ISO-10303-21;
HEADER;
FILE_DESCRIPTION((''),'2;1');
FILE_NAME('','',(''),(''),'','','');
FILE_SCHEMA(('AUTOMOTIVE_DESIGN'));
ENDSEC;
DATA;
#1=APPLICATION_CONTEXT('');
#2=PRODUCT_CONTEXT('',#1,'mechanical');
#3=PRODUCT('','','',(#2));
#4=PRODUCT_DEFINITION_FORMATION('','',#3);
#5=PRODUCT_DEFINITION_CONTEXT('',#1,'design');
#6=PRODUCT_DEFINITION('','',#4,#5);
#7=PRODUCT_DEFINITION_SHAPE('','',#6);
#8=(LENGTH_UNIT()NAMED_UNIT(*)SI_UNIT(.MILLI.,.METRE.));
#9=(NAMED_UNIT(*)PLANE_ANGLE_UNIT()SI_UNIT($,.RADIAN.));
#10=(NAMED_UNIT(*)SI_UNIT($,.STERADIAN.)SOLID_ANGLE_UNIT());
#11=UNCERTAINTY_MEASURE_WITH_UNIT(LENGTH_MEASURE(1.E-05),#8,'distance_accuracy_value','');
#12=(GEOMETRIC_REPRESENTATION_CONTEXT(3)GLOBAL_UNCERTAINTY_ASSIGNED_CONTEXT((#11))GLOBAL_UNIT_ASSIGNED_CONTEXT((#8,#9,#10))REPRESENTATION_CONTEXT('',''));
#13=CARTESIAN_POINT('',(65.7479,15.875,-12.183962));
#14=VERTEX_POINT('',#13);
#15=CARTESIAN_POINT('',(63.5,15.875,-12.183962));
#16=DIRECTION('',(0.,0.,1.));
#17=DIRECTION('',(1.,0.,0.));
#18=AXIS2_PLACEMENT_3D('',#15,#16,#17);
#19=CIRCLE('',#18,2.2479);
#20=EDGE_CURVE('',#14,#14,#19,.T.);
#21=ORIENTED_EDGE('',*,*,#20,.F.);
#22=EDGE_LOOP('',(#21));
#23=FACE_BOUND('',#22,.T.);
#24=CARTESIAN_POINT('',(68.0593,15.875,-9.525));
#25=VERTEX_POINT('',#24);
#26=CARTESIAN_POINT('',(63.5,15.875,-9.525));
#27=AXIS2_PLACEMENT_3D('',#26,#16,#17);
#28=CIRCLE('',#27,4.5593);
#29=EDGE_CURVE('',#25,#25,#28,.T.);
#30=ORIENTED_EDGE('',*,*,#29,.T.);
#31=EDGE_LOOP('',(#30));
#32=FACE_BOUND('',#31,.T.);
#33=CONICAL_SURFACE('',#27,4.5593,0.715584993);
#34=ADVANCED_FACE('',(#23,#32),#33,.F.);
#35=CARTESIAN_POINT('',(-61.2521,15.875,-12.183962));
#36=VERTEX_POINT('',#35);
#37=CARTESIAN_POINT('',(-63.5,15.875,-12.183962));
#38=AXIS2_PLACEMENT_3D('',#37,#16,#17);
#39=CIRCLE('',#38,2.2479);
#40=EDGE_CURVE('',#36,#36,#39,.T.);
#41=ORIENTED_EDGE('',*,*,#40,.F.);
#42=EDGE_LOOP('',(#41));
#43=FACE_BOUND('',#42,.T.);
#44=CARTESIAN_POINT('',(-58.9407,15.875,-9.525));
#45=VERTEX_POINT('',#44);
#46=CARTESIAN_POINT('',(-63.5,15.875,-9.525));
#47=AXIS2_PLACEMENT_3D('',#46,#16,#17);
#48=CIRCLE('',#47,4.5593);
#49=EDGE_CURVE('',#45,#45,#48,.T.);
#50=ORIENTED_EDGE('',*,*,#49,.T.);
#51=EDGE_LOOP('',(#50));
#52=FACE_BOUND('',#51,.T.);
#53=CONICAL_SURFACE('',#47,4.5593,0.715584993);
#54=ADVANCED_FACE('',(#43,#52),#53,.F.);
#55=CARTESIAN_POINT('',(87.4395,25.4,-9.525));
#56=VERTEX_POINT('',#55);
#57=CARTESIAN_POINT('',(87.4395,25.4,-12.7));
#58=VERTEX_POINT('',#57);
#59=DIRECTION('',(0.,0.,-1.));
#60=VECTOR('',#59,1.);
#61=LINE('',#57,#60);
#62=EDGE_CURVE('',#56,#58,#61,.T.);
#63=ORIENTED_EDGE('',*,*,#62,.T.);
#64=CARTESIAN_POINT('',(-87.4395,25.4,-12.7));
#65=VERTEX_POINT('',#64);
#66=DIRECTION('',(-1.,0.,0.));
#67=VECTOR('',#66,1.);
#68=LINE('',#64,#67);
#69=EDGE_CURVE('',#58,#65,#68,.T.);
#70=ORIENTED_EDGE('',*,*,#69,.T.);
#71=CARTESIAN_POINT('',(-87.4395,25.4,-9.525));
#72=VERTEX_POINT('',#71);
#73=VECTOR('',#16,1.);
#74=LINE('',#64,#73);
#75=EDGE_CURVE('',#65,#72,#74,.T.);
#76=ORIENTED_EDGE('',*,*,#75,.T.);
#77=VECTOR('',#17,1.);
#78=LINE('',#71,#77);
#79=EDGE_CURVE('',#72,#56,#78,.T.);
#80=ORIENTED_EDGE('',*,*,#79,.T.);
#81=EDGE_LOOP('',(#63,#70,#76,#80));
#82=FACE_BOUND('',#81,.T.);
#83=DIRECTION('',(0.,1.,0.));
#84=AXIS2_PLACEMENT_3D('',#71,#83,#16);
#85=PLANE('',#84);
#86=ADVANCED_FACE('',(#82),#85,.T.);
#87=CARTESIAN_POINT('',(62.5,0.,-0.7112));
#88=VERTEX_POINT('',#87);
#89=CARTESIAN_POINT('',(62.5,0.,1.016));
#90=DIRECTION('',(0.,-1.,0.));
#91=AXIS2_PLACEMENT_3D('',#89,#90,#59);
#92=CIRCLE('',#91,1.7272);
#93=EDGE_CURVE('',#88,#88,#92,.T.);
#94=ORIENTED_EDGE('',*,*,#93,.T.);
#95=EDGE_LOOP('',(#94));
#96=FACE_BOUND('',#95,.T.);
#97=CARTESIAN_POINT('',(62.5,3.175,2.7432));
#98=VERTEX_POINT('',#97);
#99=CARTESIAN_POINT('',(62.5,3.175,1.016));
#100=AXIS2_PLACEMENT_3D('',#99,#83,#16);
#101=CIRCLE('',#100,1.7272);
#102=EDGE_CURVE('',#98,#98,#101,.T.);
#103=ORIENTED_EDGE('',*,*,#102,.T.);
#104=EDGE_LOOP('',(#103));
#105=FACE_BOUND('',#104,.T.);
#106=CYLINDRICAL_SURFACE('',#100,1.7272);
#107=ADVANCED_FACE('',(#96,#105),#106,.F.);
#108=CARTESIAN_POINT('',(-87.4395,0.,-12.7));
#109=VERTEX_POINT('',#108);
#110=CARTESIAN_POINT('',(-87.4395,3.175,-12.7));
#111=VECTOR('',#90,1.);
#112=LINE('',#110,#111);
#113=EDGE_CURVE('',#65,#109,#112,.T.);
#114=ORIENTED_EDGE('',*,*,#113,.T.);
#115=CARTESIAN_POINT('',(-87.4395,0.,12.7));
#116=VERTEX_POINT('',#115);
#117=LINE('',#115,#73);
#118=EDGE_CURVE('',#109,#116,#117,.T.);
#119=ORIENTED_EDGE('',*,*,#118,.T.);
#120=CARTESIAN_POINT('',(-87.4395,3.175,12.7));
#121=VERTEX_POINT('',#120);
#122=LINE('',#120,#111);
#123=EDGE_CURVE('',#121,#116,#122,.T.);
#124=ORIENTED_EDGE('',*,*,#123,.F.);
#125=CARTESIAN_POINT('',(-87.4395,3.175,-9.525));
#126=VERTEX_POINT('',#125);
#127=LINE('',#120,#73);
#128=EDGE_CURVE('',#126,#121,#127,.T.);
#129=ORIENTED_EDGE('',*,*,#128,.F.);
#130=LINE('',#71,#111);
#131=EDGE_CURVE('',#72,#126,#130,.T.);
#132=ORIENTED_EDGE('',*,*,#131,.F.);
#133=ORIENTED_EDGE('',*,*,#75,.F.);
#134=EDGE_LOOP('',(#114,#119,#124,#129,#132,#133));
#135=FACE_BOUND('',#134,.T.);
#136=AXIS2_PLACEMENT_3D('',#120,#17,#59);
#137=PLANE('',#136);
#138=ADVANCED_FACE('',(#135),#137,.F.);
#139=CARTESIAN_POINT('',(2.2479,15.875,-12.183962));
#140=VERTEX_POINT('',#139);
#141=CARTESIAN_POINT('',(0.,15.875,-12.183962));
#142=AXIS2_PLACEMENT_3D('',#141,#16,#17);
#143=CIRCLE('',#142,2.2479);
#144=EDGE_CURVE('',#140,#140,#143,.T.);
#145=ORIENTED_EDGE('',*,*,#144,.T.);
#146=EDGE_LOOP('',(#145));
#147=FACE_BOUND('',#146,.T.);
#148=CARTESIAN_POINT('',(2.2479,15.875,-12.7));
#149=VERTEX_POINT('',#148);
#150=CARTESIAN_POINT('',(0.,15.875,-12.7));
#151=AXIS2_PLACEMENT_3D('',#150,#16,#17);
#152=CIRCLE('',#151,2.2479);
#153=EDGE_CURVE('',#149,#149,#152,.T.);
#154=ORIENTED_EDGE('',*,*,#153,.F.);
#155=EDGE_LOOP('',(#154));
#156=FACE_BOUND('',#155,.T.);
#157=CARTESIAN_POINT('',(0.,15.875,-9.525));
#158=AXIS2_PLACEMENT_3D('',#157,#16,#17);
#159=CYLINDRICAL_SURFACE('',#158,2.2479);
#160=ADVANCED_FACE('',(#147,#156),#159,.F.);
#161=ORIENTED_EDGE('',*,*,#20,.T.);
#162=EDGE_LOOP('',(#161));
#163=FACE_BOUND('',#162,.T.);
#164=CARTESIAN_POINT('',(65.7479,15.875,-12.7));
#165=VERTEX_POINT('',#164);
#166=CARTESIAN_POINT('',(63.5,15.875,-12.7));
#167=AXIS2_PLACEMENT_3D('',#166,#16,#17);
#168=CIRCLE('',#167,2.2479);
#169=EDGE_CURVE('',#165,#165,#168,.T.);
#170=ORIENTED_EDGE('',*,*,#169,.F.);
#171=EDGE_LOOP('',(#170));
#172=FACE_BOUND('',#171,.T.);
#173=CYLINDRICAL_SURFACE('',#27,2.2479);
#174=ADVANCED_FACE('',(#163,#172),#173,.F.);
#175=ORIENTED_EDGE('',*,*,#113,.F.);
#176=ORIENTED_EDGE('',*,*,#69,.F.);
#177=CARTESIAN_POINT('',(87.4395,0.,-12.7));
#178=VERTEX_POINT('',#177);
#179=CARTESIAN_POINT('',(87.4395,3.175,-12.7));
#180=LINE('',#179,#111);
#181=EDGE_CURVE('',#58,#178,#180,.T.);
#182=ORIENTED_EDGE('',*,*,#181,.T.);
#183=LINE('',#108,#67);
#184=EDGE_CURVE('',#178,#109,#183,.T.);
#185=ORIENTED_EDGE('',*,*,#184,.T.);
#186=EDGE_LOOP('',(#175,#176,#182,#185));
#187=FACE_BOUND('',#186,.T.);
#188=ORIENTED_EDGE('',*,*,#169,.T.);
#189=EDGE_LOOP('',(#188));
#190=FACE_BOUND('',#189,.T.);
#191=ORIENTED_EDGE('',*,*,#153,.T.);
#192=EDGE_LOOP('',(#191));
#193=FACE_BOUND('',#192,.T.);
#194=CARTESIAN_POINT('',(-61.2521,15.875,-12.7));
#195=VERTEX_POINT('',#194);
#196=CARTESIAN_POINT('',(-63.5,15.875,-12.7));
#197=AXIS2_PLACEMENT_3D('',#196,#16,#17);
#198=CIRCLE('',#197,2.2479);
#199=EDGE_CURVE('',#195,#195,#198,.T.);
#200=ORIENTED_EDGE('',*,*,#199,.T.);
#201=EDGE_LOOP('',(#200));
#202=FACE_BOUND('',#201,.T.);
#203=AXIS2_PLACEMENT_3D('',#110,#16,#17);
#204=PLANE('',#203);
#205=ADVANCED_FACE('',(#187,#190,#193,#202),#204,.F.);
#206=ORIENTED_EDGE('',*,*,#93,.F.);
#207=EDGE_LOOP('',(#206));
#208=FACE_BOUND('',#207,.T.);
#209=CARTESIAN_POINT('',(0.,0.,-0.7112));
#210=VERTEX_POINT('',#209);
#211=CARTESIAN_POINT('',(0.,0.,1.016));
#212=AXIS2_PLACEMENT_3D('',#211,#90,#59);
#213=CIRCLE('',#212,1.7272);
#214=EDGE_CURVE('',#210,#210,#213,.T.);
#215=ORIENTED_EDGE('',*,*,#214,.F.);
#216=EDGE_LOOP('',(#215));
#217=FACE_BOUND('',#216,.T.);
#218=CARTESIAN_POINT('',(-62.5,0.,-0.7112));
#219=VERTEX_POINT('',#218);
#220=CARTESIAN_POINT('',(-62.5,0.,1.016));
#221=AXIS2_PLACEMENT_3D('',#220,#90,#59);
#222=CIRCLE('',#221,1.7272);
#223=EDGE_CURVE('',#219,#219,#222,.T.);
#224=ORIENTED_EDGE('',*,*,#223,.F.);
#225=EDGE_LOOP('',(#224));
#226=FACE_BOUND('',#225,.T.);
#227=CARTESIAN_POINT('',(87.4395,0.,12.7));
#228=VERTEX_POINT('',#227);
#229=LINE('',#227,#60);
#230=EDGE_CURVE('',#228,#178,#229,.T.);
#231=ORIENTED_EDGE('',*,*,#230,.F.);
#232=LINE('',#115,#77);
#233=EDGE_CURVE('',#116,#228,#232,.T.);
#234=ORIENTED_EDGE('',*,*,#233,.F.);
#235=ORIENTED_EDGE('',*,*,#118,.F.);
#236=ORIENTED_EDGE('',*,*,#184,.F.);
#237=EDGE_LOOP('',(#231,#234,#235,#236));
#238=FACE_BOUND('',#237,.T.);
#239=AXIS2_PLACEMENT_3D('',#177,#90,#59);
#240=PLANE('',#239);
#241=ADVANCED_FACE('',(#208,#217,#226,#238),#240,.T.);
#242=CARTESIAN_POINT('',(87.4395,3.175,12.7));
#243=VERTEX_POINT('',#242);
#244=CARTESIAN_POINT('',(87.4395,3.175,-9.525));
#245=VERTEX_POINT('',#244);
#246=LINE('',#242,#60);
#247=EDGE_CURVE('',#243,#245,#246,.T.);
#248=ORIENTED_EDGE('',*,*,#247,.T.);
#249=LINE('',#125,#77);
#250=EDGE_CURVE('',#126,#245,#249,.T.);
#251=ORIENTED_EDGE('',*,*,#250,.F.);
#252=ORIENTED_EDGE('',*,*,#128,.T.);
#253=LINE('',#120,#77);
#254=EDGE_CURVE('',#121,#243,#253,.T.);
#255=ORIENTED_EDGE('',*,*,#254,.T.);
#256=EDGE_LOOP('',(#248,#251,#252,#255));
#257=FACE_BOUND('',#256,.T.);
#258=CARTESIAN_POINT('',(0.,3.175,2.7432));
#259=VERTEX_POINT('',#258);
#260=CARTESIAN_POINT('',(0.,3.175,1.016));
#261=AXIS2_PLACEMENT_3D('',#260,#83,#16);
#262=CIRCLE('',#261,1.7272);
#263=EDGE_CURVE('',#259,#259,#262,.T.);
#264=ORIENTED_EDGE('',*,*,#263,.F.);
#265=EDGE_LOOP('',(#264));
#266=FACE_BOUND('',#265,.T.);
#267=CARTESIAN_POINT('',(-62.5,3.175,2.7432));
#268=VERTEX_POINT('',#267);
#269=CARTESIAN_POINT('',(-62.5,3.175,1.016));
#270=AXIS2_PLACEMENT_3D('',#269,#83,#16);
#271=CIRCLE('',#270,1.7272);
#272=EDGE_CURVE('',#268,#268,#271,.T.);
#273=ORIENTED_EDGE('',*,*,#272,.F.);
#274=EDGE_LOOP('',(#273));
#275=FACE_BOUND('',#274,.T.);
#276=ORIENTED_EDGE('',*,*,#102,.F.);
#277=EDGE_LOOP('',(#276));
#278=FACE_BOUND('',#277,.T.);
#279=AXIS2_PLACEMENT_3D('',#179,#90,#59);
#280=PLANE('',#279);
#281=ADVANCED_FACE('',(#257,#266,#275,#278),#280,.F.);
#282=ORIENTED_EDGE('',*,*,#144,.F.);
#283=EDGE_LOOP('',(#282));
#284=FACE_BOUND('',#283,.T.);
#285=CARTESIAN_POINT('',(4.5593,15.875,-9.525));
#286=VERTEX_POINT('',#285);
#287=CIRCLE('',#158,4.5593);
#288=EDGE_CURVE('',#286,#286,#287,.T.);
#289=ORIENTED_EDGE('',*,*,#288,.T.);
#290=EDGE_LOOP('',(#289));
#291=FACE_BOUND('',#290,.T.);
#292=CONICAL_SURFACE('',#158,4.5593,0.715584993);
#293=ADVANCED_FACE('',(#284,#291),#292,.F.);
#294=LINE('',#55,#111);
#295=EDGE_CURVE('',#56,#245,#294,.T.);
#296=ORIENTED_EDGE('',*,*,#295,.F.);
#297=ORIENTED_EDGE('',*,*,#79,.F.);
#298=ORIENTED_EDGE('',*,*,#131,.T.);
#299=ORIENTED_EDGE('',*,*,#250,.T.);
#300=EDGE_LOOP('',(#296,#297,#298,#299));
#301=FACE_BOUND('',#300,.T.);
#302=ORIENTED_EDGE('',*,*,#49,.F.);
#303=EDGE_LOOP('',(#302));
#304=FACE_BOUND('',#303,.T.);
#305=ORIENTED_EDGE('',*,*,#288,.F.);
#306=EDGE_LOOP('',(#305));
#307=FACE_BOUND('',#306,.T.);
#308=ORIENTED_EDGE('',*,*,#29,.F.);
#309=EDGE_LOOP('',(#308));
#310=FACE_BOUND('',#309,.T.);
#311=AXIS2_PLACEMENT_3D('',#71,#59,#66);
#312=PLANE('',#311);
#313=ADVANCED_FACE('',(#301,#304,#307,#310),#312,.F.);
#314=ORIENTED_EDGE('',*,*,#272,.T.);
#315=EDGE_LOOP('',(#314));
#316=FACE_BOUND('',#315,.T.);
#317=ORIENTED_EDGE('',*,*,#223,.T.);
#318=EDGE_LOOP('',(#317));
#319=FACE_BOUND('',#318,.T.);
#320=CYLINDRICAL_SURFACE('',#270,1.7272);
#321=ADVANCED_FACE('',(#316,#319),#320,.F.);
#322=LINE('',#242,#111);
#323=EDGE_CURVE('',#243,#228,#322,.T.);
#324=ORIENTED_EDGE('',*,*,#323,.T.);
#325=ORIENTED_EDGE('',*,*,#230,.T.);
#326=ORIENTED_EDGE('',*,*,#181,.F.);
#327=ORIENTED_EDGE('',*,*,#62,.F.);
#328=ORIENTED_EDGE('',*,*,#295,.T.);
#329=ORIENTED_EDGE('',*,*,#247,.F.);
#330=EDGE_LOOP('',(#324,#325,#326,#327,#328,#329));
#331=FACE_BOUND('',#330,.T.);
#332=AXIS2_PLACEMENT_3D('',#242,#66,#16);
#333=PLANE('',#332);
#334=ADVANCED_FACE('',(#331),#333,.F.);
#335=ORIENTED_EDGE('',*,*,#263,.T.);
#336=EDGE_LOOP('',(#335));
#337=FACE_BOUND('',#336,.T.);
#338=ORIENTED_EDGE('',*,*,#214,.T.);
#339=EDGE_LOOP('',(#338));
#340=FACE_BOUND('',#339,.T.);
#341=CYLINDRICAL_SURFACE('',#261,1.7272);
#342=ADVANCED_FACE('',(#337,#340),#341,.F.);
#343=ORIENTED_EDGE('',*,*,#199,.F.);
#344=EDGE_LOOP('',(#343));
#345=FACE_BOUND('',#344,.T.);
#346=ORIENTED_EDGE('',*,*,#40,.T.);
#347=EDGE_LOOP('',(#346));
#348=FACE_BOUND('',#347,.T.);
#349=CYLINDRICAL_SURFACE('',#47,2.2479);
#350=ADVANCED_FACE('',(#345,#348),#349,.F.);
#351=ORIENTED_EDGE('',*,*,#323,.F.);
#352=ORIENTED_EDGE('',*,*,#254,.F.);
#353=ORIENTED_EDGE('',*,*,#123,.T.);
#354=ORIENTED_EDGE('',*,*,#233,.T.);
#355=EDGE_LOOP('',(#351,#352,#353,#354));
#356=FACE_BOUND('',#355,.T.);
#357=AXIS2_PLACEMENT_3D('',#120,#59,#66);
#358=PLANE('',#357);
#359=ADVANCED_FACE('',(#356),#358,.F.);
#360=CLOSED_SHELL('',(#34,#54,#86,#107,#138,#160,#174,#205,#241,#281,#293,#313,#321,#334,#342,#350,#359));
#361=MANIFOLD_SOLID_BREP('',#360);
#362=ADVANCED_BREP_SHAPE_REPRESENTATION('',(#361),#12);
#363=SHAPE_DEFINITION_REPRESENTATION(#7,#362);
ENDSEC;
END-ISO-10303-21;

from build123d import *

# Parameters (mm, degrees)
SKETCH1_W                                     = 174.879
SKETCH1_H                                     = 25.4
BOSS_EXTRUDE1_DEPTH                           = 3.175
SKETCH2_W                                     = 174.879
SKETCH2_H                                     = 3.175
BOSS_EXTRUDE2_DEPTH                           = 22.225
F_8_32_TAPPED_HOLE1_D                         = 3.4544
F_8_32_TAPPED_HOLE1_DEPTH                     = 10.668
F_8_32_TAPPED_HOLE1_TIP                       = 1.037806461
CSK_FOR_8_FLAT_HEAD_SOCKET_CAP_SCREW1_A_COUNT = 2
CSK_FOR_8_FLAT_HEAD_SOCKET_CAP_SCREW1_A_PITCH = 63.5
CSK_FOR_8_FLAT_HEAD_SOCKET_CAP_SCRE_2_COUNT   = 2
CSK_FOR_8_FLAT_HEAD_SOCKET_CAP_SCRE_2_PITCH   = 127


with BuildPart() as part:
    # Sketch1 → Boss-Extrude1 (new body)
    with BuildSketch(Plane(origin=(0, 0, 0), x_dir=(1, 0, 0), z_dir=(0, 1, 0))):
        Rectangle(SKETCH1_W, SKETCH1_H)
    extrude(amount=BOSS_EXTRUDE1_DEPTH)

    # Sketch2 → Boss-Extrude2 (add)
    with BuildSketch(Plane(origin=(0, 3.175, 0), x_dir=(1, 0, 0), z_dir=(0, 1, 0))):
        with Locations((0, 11.1125)):
            Rectangle(SKETCH2_W, SKETCH2_H)
    extrude(amount=BOSS_EXTRUDE2_DEPTH)

    # #8-32 Tapped Hole1
    with Locations(Plane(origin=(0, 3.175, 0), x_dir=(-1, 0, 0), z_dir=(0, 1, 0))):
        with Locations((62.5, 1.016), (0, 1.016), (-62.5, 1.016)):
            Hole(F_8_32_TAPPED_HOLE1_D / 2, depth=F_8_32_TAPPED_HOLE1_DEPTH)
            with Locations((0, 0, -(F_8_32_TAPPED_HOLE1_DEPTH + F_8_32_TAPPED_HOLE1_TIP / 2))):  # 118° drill point
                Cone(0, F_8_32_TAPPED_HOLE1_D / 2, F_8_32_TAPPED_HOLE1_TIP, mode=Mode.SUBTRACT)

    # Sketch6 → CSK for #8 Flat Head Socket Cap Screw1 (revolve, cut)
    with BuildSketch(Plane(origin=(-63.5, 15.875, -9.525), x_dir=(0, -1, 0), z_dir=(1, 0, 0))):
        Polygon((0, 0), (0, 3.175), (2.2479, 3.175), (2.2479, 2.658961536), (4.5593, 0), align=None)
    csk_for_8_flat_head_socket_cap_screw1 = revolve(axis=Axis((-63.5, 15.875, -3.175), (0, 0, -1)), mode=Mode.SUBTRACT)

    # CSK for #8 Flat Head Socket Cap Screw1 a: CSK for #8 Flat Head Socket Cap Screw1 ×2
    with Locations(*[(i * CSK_FOR_8_FLAT_HEAD_SOCKET_CAP_SCREW1_A_PITCH, 0, 0) for i in range(1, CSK_FOR_8_FLAT_HEAD_SOCKET_CAP_SCREW1_A_COUNT)]):
        add(csk_for_8_flat_head_socket_cap_screw1, mode=Mode.SUBTRACT)

    # CSK for _8 Flat Head Socket Cap Scre 2: CSK for #8 Flat Head Socket Cap Screw1 ×2
    with Locations(*[(i * CSK_FOR_8_FLAT_HEAD_SOCKET_CAP_SCRE_2_PITCH, 0, 0) for i in range(1, CSK_FOR_8_FLAT_HEAD_SOCKET_CAP_SCRE_2_COUNT)]):
        add(csk_for_8_flat_head_socket_cap_screw1, mode=Mode.SUBTRACT)


solid = part.part
